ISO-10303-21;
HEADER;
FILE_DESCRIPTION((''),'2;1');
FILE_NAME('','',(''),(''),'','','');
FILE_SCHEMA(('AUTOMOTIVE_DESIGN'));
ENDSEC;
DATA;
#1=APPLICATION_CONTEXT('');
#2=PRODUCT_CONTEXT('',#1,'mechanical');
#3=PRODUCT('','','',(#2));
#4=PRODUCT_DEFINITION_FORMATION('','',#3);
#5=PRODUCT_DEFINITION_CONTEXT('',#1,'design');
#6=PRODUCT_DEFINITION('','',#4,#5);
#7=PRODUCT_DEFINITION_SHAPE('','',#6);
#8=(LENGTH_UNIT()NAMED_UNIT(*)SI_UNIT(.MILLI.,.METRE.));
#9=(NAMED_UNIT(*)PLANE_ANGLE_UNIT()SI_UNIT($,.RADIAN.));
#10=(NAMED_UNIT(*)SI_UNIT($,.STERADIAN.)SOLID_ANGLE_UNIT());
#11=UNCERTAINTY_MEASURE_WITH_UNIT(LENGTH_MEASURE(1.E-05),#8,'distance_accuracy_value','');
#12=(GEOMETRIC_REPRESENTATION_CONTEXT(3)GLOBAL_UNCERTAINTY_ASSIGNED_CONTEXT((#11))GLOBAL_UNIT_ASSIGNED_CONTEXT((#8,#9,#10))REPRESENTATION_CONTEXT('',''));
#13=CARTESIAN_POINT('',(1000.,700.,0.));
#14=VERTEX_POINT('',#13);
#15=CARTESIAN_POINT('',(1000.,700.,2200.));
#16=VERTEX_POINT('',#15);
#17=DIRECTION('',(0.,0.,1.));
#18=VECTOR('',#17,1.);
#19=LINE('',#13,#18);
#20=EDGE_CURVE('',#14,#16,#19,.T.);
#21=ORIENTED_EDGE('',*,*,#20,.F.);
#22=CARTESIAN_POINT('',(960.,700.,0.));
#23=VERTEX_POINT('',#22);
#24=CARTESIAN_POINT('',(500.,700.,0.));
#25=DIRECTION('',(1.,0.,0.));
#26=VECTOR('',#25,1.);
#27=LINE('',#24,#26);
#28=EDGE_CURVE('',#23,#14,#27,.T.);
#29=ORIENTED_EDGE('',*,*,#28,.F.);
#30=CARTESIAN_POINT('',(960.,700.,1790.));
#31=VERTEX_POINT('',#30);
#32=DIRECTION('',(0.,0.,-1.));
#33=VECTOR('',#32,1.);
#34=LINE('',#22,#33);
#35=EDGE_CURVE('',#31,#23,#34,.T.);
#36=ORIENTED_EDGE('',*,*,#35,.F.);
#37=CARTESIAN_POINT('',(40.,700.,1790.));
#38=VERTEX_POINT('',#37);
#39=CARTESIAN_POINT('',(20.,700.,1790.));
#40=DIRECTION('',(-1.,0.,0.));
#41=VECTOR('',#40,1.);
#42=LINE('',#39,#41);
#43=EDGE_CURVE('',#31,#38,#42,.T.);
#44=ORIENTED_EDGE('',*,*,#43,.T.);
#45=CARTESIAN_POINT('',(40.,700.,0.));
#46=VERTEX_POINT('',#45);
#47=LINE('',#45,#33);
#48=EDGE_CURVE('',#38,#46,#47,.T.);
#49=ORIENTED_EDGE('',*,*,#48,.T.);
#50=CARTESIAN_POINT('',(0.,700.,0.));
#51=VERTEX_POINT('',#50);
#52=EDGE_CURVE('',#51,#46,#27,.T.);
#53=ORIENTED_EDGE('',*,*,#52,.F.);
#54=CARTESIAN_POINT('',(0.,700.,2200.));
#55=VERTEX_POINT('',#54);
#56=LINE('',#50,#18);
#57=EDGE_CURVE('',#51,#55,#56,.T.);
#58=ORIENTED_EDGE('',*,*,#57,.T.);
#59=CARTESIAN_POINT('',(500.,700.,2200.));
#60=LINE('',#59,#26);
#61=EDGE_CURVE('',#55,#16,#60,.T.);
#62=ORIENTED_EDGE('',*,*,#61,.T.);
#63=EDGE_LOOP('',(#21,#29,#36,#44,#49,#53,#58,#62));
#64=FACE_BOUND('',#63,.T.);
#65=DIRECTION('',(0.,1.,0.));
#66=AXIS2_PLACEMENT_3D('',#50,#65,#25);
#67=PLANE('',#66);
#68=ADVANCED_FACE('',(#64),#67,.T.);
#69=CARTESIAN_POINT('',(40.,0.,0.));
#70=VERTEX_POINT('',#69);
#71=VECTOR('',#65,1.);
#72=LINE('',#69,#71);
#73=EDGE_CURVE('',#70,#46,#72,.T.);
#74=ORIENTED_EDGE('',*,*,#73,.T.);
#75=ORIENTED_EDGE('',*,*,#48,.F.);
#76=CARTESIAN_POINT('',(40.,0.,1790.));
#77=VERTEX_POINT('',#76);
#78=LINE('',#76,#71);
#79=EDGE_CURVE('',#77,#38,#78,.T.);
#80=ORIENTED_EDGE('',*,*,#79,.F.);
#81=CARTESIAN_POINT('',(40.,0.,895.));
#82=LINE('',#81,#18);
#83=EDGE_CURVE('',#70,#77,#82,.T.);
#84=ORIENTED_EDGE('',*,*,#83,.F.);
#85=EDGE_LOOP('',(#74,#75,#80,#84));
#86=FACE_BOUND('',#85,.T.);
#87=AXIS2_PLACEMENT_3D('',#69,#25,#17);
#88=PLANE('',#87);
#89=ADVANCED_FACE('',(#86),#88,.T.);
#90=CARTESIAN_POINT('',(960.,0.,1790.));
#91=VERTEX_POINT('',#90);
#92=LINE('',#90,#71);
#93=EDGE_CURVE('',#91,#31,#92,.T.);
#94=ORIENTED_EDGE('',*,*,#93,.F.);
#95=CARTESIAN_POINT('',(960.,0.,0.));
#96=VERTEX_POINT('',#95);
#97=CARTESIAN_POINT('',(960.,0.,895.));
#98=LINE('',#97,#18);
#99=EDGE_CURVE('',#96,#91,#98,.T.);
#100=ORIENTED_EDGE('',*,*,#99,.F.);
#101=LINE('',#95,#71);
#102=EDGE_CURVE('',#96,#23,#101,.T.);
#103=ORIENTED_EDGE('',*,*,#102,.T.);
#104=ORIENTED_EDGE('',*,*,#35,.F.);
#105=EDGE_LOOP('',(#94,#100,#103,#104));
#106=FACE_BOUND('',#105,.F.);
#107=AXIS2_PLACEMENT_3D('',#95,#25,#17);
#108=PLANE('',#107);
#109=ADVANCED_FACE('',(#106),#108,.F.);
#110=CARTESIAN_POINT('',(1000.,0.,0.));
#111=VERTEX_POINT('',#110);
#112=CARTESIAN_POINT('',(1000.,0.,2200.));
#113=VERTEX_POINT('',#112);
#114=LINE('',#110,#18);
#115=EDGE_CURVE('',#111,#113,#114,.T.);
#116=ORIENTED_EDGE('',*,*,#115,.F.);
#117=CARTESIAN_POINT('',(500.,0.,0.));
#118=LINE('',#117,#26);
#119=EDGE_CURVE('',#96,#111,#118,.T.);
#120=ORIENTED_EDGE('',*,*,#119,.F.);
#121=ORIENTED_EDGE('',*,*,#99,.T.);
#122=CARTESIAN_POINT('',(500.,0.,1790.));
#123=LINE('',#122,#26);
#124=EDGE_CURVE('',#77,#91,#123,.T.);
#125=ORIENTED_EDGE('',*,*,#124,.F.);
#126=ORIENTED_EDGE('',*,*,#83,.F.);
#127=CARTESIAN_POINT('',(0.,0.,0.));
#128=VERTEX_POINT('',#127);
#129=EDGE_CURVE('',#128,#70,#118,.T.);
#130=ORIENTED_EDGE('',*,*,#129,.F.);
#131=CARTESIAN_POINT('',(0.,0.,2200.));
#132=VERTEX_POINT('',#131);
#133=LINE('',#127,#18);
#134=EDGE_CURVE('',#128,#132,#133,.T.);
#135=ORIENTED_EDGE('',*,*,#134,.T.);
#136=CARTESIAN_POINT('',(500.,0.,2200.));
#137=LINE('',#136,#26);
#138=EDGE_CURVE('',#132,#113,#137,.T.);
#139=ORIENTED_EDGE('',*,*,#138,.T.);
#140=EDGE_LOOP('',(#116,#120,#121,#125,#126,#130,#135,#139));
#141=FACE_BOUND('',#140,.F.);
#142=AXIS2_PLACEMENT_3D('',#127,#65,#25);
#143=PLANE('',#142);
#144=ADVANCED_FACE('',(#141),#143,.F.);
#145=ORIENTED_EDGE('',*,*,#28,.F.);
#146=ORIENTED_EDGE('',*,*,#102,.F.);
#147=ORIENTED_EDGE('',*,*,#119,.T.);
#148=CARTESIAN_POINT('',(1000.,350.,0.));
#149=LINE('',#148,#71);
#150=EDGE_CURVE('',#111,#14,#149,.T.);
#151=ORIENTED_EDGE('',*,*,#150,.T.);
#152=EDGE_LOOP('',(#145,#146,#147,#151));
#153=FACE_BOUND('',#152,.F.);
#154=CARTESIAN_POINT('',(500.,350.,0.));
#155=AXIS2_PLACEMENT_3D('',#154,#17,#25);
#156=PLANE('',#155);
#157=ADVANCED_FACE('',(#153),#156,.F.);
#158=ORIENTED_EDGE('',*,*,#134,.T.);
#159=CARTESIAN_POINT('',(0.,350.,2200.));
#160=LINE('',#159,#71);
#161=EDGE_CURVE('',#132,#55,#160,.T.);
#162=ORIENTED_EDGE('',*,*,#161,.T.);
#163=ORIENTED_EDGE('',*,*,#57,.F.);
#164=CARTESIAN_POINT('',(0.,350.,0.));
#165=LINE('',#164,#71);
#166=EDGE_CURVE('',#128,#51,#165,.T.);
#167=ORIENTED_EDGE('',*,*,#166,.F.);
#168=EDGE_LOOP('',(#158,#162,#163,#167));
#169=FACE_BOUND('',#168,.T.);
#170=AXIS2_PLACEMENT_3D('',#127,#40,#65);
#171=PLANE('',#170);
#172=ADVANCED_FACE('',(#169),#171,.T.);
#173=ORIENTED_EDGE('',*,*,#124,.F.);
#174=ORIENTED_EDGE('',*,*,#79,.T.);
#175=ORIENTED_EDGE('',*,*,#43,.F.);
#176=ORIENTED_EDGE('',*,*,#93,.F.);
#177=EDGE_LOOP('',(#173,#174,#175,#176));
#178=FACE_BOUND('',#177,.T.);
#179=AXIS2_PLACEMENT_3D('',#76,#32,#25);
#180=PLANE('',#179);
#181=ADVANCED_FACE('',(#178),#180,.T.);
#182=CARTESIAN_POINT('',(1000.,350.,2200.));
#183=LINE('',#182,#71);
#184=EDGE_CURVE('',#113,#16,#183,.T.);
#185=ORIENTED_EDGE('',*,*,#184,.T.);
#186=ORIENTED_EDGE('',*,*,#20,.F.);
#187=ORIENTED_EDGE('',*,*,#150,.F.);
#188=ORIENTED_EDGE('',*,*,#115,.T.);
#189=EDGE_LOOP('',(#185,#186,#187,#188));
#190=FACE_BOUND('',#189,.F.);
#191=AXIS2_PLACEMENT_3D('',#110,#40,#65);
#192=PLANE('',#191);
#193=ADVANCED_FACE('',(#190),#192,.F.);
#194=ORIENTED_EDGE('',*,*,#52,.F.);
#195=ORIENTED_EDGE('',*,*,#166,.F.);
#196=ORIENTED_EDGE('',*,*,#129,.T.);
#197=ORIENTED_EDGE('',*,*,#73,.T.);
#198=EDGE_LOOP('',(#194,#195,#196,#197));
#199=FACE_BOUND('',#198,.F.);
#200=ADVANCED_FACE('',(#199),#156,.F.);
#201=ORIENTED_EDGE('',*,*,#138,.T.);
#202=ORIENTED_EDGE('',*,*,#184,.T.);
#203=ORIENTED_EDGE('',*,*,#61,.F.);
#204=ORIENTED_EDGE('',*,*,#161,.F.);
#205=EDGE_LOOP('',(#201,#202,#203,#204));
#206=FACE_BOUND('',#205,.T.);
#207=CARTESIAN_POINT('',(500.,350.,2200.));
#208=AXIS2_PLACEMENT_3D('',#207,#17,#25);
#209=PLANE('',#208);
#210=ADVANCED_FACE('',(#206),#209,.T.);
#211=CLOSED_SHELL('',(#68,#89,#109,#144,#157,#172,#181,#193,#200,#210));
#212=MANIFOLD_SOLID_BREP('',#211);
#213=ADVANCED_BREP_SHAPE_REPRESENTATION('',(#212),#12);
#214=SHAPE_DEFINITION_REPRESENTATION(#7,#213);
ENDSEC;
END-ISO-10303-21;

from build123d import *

# Parameters (mm, degrees)
F0_W     = 1000
F0_H     = 700
F1_DEPTH = 2200
F2_W     = 920
F2_H     = 1790
F3_DEPTH = 700.001


with BuildPart() as f1:
    # F0 (on Top) → F1 (new body)
    with BuildSketch(Plane.XY):
        with Locations((500, 350)):
            Rectangle(F0_W, F0_H)
    extrude(amount=F1_DEPTH)

    # F2 (on face) → F3 (cut, through all)
    with BuildSketch(Plane.XZ):
        with Locations((500, 895)):
            Rectangle(F2_W, F2_H)
    extrude(amount=-F3_DEPTH, mode=Mode.SUBTRACT)


solid = f1.part
